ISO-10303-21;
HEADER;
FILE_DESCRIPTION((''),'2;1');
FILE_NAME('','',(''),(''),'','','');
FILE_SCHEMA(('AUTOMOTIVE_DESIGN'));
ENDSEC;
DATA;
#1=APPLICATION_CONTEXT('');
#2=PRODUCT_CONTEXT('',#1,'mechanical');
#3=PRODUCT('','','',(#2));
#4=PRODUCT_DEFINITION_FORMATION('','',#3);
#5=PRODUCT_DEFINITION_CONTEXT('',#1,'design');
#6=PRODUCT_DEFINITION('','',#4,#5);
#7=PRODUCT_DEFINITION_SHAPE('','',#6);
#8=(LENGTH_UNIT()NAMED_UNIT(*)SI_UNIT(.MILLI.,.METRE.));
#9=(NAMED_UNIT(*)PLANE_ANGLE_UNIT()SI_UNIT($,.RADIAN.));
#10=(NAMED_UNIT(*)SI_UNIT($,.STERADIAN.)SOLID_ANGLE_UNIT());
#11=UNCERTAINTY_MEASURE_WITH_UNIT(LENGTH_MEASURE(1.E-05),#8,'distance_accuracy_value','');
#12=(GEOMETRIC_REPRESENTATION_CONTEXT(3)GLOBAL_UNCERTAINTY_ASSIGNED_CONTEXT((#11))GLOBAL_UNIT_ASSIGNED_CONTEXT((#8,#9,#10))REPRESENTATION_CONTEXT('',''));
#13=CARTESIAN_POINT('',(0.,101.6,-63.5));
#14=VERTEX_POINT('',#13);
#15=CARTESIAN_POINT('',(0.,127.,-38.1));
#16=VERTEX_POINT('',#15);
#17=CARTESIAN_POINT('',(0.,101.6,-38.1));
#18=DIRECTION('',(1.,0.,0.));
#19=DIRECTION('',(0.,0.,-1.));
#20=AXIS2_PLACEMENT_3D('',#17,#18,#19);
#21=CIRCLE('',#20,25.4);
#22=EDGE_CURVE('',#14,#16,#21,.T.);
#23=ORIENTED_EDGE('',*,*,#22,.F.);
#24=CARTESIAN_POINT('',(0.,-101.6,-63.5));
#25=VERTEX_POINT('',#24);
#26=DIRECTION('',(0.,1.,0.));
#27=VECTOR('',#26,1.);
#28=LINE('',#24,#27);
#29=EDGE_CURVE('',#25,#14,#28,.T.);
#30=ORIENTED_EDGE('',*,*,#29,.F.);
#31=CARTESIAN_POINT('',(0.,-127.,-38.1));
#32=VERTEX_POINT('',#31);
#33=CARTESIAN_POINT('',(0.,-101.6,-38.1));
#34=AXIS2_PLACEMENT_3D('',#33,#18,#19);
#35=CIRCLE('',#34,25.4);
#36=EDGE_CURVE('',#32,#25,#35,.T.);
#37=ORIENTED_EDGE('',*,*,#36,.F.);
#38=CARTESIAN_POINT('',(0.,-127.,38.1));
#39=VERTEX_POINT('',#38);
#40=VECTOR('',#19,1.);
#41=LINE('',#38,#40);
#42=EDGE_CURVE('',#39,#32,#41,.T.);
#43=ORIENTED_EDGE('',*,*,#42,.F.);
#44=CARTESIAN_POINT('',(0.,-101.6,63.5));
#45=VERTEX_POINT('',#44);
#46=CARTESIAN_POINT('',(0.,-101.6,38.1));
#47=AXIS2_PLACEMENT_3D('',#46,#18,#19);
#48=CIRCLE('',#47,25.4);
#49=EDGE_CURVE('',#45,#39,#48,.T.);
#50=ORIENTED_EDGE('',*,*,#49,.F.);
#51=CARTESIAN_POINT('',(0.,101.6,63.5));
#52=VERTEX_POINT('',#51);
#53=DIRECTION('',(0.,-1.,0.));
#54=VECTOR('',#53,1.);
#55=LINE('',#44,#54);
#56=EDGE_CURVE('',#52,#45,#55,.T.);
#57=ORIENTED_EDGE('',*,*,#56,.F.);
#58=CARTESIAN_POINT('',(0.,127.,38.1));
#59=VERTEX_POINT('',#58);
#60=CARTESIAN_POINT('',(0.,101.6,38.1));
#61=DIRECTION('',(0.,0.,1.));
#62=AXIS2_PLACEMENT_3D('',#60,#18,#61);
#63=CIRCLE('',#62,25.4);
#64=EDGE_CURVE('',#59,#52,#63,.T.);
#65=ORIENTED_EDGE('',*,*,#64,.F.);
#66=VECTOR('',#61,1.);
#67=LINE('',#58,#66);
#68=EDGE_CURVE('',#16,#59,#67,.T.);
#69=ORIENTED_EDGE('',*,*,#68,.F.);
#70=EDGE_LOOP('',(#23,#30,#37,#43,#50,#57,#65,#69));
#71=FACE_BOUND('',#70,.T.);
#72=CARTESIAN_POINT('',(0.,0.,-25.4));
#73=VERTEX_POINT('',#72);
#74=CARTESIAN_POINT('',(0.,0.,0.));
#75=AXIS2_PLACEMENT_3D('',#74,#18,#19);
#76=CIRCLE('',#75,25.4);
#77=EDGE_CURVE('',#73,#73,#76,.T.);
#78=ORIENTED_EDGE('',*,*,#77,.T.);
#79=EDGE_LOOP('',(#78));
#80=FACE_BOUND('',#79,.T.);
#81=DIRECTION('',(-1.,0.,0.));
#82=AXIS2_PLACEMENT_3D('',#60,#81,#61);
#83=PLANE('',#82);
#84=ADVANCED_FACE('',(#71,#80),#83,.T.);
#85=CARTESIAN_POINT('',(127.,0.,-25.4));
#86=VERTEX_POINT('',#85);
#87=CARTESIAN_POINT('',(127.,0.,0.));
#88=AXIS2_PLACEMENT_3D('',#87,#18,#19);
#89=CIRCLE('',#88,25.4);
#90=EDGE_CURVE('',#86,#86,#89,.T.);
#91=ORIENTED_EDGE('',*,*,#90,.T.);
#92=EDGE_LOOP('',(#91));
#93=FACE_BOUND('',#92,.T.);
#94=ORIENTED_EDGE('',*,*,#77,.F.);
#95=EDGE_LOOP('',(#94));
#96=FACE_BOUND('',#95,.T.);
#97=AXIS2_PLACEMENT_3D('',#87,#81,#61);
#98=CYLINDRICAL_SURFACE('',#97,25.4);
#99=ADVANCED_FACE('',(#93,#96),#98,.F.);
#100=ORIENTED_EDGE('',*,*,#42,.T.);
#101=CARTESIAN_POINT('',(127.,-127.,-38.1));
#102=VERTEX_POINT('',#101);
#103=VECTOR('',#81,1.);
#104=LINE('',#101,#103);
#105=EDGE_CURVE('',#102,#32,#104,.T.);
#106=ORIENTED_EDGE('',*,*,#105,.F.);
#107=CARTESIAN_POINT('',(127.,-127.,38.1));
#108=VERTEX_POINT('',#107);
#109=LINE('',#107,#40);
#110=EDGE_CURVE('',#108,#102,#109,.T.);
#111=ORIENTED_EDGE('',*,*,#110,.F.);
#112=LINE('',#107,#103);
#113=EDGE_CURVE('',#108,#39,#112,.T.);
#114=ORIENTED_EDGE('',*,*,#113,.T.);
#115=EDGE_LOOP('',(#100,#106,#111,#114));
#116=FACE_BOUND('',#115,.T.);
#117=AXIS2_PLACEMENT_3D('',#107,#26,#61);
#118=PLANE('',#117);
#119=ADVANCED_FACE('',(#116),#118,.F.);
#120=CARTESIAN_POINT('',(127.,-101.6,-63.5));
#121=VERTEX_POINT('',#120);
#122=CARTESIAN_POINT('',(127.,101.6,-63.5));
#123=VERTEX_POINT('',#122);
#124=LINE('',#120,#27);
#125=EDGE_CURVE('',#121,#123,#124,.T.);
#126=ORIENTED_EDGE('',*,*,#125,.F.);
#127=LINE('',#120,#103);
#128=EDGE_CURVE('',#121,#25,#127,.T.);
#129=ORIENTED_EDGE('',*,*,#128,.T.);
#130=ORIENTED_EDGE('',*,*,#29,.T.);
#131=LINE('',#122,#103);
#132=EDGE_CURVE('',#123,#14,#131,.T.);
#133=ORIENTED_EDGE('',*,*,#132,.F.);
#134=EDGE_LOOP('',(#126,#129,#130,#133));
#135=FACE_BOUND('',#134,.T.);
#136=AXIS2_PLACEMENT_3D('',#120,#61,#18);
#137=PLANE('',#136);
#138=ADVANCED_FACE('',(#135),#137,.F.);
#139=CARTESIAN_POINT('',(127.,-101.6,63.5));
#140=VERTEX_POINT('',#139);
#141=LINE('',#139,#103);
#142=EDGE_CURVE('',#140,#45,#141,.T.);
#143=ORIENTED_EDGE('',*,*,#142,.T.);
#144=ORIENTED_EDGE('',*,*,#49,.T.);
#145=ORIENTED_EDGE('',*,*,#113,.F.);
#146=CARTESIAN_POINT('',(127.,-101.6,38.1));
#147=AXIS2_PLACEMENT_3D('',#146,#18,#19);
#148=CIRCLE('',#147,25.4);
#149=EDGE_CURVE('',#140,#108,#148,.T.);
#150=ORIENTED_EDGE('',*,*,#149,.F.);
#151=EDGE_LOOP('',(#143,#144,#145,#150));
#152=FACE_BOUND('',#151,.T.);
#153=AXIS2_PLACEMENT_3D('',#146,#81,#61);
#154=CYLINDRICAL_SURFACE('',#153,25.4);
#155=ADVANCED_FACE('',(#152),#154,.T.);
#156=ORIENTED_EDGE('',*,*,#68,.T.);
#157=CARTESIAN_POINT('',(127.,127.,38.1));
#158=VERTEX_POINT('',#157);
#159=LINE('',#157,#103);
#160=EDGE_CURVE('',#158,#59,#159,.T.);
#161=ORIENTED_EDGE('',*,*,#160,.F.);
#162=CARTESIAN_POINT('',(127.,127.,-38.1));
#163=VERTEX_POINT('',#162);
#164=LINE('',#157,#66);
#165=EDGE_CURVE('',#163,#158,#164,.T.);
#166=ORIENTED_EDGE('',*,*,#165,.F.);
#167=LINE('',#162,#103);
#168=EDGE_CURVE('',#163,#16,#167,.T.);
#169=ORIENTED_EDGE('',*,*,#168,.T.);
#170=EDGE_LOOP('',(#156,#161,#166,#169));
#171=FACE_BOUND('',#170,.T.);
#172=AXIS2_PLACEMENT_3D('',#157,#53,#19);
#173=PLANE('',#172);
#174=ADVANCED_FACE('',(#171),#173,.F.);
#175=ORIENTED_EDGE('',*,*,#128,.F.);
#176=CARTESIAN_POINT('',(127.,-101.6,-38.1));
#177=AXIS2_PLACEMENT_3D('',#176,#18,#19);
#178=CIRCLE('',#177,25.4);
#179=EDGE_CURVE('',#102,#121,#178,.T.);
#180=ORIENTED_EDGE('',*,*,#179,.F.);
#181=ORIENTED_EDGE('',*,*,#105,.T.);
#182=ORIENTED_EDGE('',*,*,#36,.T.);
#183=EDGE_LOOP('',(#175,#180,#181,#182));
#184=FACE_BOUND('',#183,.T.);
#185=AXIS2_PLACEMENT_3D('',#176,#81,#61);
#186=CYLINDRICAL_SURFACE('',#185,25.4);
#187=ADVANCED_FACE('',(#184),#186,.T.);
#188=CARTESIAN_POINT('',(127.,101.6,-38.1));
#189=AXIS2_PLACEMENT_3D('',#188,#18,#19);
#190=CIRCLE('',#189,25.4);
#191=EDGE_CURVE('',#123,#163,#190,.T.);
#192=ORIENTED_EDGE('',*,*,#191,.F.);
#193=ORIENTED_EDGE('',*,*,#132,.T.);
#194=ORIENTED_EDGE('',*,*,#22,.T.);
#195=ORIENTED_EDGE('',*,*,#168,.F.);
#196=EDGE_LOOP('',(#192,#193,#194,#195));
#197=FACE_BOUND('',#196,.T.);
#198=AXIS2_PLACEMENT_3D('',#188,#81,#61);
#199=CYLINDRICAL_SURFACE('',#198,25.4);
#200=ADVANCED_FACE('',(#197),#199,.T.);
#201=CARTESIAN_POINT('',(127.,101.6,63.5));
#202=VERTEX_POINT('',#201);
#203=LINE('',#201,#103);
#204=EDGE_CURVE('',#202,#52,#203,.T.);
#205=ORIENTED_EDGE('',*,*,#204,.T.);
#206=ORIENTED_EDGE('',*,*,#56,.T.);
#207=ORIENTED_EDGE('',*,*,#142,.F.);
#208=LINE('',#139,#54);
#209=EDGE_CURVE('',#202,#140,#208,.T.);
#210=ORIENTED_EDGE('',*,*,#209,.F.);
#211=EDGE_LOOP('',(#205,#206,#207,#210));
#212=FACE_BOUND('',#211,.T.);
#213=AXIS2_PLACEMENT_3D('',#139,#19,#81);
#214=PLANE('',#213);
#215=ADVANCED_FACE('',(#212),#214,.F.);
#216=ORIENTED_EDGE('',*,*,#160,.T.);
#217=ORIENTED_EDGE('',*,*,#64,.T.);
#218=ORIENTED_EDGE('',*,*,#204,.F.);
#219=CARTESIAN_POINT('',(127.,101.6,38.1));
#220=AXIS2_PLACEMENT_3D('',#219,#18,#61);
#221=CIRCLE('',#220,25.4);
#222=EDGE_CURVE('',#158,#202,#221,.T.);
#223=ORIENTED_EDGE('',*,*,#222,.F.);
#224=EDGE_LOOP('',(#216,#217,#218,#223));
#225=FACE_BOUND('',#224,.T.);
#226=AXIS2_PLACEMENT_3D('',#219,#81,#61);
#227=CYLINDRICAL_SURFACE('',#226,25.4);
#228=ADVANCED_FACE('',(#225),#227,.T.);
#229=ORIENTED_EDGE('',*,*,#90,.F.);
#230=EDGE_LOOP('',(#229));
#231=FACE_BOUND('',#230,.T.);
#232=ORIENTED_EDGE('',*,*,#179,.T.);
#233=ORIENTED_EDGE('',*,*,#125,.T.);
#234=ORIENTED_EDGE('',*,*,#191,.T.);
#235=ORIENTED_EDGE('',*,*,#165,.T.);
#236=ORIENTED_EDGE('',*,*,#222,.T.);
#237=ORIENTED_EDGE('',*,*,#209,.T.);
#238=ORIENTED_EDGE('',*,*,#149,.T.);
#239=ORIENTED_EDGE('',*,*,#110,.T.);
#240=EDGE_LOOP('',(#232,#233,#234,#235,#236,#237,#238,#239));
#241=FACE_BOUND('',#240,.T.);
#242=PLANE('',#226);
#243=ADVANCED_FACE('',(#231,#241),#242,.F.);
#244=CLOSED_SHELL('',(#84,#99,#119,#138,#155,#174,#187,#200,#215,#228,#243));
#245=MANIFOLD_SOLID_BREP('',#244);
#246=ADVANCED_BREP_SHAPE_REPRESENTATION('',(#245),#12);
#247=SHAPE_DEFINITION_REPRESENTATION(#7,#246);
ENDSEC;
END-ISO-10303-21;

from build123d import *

# Parameters (mm, degrees)
CROQUIS2_R              = 25.4
SALIENTE_EXTRUIR1_DEPTH = 127


with BuildPart() as part:
    # Croquis2 → Saliente-Extruir1 (new body)
    with BuildSketch(Plane.YZ):
        with BuildLine():
            Line((-101.6, 63.5), (101.6, 63.5))
            ThreePointArc((101.6, 63.5), (119.560512242, 56.060512242), (127, 38.1))
            Line((127, 38.1), (127, -38.1))
            ThreePointArc((127, -38.1), (119.560512242, -56.060512242), (101.6, -63.5))
            Line((101.6, -63.5), (-101.6, -63.5))
            ThreePointArc((-101.6, -63.5), (-119.560512242, -56.060512242), (-127, -38.1))
            Line((-127, -38.1), (-127, 38.1))
            ThreePointArc((-127, 38.1), (-119.560512242, 56.060512242), (-101.6, 63.5))
        make_face()
        with Locations(Location((0, 0, 0), (0, 0, 270))):
            Circle(CROQUIS2_R, mode=Mode.SUBTRACT)
    extrude(amount=SALIENTE_EXTRUIR1_DEPTH)


solid = part.part
